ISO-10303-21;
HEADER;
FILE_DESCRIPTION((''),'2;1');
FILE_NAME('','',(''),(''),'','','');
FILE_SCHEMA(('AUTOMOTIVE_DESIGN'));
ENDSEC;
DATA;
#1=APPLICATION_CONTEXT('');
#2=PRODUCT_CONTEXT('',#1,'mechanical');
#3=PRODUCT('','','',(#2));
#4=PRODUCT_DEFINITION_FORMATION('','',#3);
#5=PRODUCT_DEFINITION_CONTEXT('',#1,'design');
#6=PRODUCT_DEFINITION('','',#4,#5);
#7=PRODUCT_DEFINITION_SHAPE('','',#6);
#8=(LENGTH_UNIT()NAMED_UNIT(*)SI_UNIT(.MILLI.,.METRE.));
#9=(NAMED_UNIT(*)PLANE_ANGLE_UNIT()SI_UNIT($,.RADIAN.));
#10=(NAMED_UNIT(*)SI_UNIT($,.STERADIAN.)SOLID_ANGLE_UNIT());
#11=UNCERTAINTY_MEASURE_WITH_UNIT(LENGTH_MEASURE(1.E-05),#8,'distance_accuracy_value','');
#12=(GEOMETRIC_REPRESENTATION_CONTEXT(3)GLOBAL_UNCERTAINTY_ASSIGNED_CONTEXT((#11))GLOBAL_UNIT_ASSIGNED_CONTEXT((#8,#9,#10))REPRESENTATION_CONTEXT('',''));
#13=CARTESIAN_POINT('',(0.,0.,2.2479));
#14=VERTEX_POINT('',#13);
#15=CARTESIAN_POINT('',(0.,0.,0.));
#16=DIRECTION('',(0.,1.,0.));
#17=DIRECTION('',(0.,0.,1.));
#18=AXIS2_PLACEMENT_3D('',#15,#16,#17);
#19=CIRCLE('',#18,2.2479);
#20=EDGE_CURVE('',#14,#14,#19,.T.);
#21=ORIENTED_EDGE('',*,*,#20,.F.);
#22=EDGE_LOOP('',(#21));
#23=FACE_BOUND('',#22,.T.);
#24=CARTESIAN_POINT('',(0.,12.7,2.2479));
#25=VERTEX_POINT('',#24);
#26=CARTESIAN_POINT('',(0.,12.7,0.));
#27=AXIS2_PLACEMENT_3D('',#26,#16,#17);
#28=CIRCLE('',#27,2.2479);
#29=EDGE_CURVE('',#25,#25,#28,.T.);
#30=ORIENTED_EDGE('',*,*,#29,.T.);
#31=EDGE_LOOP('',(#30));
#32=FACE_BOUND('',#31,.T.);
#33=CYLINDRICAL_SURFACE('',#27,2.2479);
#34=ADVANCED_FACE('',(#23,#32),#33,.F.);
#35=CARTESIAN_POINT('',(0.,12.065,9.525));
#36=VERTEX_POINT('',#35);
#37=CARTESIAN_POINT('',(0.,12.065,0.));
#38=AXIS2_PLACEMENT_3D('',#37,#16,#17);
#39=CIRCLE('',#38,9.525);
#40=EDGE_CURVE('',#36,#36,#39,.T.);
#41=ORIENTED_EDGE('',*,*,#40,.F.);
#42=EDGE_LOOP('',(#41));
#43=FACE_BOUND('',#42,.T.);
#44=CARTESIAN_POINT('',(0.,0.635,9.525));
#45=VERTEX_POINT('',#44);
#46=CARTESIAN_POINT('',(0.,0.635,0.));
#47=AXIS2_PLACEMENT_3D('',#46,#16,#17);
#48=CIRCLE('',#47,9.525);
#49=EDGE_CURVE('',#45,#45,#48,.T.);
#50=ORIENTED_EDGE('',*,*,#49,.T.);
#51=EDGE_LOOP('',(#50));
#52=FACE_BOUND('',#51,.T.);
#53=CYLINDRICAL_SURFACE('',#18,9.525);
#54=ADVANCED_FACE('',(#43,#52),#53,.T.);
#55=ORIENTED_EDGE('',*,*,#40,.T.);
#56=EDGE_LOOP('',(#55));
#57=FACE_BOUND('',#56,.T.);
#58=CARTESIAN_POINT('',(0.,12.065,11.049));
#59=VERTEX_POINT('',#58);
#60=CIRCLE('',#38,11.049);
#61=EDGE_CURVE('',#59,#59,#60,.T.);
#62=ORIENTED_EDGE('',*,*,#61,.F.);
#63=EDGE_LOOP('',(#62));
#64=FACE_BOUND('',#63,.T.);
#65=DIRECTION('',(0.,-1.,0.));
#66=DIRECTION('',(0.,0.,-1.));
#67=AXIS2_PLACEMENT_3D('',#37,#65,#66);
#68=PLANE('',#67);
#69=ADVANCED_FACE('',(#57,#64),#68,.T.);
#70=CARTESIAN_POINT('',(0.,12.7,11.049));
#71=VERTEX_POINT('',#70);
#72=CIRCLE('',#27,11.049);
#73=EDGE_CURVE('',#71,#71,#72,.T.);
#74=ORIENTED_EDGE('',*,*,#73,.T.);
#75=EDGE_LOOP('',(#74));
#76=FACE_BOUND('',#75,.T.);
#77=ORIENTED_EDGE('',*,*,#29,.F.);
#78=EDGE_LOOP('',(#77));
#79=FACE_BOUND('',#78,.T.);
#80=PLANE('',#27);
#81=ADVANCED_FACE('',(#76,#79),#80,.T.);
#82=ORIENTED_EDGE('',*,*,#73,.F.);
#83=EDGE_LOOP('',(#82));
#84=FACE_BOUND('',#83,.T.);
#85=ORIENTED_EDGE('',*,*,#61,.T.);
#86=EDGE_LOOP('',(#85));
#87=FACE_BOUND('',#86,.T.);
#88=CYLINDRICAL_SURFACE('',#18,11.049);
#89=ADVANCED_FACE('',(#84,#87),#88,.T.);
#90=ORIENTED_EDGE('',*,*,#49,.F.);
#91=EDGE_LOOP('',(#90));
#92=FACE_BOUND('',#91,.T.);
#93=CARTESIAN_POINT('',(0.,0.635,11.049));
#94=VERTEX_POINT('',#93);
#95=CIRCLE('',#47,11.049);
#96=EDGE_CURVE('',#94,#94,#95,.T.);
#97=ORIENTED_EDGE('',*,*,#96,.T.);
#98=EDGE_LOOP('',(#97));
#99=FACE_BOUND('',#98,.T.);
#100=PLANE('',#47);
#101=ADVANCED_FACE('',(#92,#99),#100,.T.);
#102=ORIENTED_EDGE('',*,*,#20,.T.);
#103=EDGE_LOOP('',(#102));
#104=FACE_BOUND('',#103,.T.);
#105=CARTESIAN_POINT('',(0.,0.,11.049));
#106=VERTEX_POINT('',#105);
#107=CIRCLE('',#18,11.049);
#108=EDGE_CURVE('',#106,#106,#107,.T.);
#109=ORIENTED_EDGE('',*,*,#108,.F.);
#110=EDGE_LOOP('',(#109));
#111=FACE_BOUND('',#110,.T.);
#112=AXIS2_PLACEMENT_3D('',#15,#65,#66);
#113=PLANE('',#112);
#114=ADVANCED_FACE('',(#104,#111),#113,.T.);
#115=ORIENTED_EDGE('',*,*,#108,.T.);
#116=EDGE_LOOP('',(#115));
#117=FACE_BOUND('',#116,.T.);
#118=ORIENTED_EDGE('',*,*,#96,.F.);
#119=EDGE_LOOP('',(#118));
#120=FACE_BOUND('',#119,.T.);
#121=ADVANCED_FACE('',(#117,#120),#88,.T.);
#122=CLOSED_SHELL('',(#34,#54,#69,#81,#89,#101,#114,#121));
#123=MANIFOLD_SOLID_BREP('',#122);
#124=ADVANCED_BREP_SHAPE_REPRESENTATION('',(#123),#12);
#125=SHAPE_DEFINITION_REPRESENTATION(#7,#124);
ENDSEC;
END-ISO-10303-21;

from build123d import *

# Parameters (mm, degrees)
F_8_CLEARANCE_HOLE1_D = 4.4958


with BuildPart() as part:
    # Sketch1 → Revolve1 (revolve)
    with BuildSketch(Plane.XY):
        Polygon((11.049, 0), (0, 0), (0, 12.7), (11.049, 12.7), (11.049, 12.065), (9.525, 12.065), (9.525, 0.635), (11.049, 0.635), align=None)
    revolve(axis=Axis((0, 0, 0), (0, 1, 0)))

    # #8 Clearance Hole1 (through all)
    with Locations(Plane(origin=(0, 12.7, 0), x_dir=(1, 0, 0), z_dir=(0, 1, 0))):
        with Locations((0, 0)):
            Hole(F_8_CLEARANCE_HOLE1_D / 2)


solid = part.part
